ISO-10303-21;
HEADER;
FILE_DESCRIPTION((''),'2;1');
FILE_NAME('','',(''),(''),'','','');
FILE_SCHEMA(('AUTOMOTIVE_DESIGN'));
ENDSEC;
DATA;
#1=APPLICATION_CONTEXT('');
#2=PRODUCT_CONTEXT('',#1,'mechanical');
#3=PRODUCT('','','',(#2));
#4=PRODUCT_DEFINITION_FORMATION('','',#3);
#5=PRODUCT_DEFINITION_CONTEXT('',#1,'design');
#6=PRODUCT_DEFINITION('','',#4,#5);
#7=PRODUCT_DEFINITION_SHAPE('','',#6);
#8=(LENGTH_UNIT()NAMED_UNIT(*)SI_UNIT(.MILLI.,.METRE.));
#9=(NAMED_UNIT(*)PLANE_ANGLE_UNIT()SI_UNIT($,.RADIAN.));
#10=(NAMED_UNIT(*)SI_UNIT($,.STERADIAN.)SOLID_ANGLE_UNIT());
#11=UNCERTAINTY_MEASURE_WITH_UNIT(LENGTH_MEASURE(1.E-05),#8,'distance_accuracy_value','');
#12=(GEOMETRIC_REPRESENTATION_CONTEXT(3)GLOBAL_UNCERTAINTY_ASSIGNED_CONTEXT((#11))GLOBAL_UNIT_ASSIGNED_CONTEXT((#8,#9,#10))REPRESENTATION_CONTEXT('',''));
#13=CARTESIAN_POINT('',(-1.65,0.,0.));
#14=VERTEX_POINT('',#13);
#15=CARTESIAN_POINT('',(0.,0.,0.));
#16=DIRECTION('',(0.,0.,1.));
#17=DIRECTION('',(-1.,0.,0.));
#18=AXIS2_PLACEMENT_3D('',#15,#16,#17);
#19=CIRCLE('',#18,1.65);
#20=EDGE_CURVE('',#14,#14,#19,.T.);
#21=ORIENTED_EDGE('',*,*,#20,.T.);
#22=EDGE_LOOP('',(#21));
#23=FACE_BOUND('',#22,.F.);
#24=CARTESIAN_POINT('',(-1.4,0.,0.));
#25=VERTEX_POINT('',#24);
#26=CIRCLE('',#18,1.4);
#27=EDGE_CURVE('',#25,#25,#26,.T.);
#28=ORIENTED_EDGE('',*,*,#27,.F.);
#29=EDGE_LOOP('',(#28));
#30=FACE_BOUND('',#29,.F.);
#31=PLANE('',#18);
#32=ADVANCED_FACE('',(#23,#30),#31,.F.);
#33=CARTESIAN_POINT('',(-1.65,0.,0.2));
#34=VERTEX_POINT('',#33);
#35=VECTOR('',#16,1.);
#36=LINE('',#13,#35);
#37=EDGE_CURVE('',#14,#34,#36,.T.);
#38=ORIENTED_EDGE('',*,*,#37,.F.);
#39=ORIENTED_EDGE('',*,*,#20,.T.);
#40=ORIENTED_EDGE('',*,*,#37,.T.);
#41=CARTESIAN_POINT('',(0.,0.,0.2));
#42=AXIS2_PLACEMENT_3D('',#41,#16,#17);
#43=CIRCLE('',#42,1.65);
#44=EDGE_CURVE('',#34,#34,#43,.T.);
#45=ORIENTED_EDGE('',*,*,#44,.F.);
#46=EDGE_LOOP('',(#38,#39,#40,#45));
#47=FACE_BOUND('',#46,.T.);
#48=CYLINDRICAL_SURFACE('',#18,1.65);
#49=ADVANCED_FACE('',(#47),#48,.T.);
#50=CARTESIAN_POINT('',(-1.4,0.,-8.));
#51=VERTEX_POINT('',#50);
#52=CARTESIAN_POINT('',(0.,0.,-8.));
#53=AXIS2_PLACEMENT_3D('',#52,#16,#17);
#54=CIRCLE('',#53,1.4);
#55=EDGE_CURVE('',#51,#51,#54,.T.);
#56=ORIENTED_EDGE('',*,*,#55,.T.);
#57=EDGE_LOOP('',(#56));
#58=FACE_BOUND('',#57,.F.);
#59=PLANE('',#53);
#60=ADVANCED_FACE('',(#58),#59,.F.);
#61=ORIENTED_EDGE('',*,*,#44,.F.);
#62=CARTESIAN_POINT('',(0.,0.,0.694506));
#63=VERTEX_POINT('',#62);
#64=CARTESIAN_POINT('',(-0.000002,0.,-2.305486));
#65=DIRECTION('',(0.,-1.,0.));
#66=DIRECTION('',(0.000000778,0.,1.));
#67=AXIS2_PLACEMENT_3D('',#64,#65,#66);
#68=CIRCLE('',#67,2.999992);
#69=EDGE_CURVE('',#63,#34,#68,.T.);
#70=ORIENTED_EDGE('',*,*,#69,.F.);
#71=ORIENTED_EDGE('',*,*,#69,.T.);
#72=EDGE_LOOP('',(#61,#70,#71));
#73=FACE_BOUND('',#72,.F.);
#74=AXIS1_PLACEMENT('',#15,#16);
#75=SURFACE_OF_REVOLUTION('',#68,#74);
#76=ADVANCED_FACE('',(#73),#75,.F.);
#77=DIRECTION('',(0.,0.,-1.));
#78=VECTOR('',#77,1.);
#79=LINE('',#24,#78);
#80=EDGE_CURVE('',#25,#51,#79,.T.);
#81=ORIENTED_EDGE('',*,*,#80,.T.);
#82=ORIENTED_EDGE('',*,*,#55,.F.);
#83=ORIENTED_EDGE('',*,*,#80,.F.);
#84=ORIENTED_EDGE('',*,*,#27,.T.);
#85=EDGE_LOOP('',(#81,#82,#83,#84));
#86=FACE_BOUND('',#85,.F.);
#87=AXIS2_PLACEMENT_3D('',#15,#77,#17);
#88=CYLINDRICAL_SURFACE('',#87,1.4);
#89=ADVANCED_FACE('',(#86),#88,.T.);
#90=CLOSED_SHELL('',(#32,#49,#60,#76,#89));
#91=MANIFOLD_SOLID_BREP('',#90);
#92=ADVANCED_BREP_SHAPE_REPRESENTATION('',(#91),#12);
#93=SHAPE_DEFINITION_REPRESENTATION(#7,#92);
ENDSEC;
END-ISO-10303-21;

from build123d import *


with BuildPart() as part:
    # Sketch → Revolution (revolve)
    with BuildSketch(Plane.XZ):
        with BuildLine():
            Line((-1.4, 0), (-1.4, -8))
            Line((-1.4, -8), (0, -8))
            Line((0, 0.694506), (0, -8))
            ThreePointArc((0, 0.694506), (-0.861254, 0.568222), (-1.65, 0.2))
            Line((-1.65, 0), (-1.65, 0.2))
            Line((-1.65, 0), (-1.4, 0))
        make_face()
    revolve(axis=Axis((0, 0, 0), (0, 0, 1)))


solid = part.part
